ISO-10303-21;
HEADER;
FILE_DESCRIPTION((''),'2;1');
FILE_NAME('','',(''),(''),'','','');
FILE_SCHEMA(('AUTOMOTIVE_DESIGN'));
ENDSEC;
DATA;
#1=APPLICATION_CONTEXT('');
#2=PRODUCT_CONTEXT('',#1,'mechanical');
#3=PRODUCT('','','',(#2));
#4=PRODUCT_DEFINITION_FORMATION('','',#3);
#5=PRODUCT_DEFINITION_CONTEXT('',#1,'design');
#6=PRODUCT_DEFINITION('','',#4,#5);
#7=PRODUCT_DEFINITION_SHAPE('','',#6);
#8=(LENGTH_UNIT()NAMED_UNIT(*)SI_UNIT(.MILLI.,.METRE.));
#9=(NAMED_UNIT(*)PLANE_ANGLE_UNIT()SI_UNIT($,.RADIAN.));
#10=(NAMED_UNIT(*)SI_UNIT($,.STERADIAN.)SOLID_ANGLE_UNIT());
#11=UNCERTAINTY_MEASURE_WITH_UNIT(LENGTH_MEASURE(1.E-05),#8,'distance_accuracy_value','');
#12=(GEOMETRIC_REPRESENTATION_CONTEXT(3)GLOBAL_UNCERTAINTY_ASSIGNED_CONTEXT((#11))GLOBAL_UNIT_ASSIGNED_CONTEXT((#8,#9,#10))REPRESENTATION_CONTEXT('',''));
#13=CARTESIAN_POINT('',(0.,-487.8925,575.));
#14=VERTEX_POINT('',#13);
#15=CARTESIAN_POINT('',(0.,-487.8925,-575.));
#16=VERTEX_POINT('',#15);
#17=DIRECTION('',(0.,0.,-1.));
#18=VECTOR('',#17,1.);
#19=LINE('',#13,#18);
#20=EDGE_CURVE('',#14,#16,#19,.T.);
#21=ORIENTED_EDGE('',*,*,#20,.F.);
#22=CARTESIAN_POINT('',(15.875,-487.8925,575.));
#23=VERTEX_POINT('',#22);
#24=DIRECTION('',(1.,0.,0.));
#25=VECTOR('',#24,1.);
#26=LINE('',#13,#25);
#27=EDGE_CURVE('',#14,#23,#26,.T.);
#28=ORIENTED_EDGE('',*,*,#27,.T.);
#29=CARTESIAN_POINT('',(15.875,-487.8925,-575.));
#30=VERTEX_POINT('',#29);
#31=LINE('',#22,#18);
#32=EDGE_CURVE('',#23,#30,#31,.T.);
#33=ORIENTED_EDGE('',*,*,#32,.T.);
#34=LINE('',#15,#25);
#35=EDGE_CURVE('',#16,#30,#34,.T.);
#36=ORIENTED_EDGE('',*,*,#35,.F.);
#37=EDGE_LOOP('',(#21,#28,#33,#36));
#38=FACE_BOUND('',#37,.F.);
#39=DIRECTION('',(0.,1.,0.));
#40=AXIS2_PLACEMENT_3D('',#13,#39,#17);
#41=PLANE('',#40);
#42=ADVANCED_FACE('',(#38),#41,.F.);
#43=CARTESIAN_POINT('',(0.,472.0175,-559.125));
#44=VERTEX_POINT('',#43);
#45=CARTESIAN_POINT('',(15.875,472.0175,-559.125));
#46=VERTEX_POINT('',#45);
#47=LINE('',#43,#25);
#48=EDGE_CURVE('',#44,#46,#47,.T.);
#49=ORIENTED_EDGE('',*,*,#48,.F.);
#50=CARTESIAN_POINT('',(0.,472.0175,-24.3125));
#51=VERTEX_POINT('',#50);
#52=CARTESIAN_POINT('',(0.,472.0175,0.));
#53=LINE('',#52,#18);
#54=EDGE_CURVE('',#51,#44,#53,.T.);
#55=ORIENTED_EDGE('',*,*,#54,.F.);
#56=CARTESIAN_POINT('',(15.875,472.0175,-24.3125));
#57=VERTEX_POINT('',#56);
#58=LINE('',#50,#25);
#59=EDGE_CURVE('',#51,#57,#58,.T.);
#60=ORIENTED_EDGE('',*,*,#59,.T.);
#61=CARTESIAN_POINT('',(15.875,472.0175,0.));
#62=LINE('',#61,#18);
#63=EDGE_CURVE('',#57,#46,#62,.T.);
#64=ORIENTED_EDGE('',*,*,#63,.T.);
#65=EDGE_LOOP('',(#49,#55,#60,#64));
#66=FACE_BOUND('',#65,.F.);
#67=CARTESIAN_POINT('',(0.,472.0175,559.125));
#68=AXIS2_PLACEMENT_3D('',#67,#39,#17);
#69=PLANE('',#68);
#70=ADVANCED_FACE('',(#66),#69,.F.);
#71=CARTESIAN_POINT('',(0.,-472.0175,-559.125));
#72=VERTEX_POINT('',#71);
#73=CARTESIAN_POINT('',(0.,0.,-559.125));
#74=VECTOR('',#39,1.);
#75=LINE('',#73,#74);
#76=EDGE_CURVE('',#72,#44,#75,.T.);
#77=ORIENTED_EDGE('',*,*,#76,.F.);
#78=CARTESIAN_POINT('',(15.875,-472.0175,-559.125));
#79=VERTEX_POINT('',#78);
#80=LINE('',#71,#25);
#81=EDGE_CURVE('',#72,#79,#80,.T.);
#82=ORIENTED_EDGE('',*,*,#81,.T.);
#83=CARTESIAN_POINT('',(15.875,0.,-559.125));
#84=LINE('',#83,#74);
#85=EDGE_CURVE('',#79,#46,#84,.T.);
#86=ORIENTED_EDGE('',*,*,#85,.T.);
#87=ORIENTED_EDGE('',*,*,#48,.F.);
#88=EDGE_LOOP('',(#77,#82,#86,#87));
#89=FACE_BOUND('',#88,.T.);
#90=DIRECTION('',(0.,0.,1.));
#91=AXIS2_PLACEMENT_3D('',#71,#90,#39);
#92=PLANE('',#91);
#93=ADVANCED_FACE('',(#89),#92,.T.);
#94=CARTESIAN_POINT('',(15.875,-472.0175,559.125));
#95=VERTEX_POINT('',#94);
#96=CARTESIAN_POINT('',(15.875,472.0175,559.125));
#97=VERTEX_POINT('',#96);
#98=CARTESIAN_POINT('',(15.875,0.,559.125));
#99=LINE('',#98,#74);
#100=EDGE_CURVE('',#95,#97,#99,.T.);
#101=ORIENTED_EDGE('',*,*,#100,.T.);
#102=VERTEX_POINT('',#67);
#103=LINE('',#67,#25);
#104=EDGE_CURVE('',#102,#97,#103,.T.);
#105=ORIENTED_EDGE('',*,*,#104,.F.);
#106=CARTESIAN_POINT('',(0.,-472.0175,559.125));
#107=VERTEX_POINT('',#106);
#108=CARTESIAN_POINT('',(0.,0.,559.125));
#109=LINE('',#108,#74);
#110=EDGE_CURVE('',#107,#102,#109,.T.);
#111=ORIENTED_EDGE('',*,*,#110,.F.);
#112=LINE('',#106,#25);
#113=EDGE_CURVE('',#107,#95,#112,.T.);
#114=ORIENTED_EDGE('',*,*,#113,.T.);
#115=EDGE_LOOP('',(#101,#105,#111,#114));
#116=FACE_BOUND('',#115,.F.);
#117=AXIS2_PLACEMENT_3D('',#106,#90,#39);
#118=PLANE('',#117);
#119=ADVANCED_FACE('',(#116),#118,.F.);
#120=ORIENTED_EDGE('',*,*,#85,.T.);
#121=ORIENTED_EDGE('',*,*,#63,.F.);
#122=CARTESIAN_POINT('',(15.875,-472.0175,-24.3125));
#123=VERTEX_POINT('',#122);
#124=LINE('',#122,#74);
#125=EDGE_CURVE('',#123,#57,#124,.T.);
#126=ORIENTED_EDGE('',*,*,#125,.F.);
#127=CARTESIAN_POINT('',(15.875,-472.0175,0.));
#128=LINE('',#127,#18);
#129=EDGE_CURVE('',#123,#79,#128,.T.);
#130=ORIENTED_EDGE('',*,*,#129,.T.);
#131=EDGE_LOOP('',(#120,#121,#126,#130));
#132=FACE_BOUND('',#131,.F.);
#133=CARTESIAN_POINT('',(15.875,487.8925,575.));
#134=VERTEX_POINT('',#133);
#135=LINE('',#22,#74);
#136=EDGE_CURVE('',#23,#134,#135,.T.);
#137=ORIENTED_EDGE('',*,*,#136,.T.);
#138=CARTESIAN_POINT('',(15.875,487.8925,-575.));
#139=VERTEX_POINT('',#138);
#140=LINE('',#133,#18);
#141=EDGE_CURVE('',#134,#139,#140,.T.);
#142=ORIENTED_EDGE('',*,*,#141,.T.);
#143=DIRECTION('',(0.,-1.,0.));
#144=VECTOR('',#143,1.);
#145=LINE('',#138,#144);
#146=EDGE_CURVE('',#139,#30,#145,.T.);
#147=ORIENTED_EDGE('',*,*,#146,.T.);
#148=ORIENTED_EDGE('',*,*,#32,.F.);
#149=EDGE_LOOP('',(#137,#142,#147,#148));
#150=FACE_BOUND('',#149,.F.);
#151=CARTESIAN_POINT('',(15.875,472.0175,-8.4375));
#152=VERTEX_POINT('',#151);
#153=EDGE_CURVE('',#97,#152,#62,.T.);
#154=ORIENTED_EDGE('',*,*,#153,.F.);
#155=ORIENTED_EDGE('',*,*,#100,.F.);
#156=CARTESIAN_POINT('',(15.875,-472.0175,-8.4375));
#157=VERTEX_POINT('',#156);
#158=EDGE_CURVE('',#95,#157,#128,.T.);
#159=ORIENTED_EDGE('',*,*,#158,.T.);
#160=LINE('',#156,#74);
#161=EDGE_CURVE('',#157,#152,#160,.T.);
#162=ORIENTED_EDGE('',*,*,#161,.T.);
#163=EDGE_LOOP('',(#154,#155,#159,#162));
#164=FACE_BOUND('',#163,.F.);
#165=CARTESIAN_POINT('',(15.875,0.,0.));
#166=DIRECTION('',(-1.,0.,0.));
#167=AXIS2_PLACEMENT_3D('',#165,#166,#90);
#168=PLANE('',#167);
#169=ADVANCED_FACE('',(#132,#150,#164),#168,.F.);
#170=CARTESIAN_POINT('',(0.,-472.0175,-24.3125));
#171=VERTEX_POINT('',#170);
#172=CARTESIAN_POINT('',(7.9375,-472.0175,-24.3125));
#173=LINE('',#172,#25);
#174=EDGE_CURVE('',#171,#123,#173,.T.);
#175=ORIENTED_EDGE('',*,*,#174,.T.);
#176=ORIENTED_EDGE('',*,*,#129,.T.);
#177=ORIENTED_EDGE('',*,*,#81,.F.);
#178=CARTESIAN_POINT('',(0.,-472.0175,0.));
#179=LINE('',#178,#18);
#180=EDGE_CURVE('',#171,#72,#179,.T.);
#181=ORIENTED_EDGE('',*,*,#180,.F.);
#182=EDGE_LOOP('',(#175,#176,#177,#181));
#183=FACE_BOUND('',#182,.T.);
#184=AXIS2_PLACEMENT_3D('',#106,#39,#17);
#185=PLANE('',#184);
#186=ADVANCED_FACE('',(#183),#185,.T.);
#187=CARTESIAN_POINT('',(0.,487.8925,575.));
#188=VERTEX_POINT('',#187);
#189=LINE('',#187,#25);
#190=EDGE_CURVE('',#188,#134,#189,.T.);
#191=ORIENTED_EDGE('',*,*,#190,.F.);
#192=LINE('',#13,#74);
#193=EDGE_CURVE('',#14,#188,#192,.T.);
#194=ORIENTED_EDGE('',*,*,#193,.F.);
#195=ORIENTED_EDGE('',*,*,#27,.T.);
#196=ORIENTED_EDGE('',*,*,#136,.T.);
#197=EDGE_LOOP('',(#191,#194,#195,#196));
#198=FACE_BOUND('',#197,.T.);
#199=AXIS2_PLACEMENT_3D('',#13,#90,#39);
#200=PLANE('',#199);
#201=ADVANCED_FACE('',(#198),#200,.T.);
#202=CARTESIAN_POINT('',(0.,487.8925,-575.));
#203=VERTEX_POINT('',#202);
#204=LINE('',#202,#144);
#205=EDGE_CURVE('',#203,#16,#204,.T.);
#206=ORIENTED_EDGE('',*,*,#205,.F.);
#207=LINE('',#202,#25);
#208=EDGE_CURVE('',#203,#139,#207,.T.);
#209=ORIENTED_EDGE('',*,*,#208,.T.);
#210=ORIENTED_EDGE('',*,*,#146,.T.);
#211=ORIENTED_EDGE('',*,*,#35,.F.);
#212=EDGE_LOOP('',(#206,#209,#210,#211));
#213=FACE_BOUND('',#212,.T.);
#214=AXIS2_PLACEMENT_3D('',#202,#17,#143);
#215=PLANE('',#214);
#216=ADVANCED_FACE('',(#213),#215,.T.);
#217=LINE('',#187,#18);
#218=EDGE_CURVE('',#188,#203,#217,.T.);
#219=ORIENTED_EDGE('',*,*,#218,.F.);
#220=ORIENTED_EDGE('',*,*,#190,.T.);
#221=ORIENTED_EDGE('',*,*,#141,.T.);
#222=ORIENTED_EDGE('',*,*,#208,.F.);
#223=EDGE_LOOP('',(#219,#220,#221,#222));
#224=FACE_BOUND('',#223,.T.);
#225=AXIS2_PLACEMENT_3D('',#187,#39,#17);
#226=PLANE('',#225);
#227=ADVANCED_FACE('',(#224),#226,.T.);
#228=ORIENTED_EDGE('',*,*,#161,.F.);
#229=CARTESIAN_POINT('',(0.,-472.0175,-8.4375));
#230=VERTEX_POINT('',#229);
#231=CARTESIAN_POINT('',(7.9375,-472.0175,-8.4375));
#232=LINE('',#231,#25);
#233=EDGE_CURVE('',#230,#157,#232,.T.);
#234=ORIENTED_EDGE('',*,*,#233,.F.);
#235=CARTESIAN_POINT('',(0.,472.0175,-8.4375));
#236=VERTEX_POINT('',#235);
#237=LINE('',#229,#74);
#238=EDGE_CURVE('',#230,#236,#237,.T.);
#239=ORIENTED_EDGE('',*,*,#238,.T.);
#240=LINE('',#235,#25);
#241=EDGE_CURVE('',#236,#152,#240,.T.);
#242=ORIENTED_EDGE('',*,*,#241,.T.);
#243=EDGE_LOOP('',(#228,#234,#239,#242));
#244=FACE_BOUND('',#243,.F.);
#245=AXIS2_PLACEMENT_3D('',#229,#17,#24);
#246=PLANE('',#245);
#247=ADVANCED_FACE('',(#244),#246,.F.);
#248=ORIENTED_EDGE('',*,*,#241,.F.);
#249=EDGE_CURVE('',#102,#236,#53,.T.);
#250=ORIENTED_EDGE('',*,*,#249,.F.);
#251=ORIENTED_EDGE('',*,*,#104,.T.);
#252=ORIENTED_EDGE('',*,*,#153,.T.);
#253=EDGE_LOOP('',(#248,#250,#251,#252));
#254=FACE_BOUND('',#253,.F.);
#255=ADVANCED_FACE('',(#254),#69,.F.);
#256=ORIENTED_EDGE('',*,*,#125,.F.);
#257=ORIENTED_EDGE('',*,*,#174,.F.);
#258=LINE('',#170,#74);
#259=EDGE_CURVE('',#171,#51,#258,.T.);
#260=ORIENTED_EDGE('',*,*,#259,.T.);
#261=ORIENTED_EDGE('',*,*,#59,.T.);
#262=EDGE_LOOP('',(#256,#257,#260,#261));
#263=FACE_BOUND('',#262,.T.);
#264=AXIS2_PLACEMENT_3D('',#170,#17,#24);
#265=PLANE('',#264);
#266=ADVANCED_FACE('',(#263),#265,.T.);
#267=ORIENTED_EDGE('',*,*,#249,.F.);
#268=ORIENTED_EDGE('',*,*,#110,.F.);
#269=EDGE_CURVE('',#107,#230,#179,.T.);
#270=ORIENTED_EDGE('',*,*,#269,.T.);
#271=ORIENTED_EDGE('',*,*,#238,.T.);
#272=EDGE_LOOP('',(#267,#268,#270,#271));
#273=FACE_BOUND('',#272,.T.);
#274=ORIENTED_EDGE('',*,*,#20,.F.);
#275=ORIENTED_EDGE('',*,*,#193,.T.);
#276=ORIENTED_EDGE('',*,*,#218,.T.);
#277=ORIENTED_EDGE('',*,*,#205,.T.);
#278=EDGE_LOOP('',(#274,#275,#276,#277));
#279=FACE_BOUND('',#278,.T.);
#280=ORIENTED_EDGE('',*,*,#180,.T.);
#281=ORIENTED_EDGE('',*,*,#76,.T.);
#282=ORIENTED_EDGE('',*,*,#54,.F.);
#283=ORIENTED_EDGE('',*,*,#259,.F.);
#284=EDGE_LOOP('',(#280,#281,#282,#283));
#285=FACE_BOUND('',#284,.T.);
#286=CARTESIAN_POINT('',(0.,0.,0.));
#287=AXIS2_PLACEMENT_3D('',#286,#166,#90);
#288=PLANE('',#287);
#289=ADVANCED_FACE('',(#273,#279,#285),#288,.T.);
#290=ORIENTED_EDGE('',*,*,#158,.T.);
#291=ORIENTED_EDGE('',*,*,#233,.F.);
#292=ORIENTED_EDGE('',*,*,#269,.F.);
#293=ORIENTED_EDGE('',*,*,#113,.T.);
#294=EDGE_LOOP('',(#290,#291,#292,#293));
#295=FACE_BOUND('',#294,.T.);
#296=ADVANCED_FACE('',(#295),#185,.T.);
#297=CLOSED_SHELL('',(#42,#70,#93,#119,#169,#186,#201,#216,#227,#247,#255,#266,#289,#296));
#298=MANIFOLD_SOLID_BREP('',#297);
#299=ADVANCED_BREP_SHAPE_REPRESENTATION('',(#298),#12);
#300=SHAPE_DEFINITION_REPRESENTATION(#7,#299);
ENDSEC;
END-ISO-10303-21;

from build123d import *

# Parameters (mm, degrees)
SKETCH1_W           = 1118.25
SKETCH1_H           = 944.035
BOSS_EXTRUDE1_DEPTH = 15.875
BOSS_EXTRUDE3_REACH = 961.91
SKETCH3_W           = 15.875
SKETCH3_H           = 15.875


with BuildPart() as part:
    # Sketch1 → Boss-Extrude1 (new body)
    with BuildSketch(Plane(origin=(0, 0, 0), x_dir=(0, 0, -1), z_dir=(1, 0, 0))):
        Polygon((-575, -487.8925), (-575, 487.8925), (575, 487.8925), (575, -487.8925), (559.125, -487.8925), (-559.125, -487.8925), align=None)
        Rectangle(SKETCH1_W, SKETCH1_H, mode=Mode.SUBTRACT)
    extrude(amount=BOSS_EXTRUDE1_DEPTH)

    # Sketch3 → Boss-Extrude3 (add, up to next)
    with BuildSketch(Plane(origin=(0, -472.0175, 0), x_dir=(1, 0, 0), z_dir=(0, 1, 0)), mode=Mode.PRIVATE) as boss_extrude3_sk1:
        with Locations((7.9375, 16.375)):
            Rectangle(SKETCH3_W, SKETCH3_H)
    boss_extrude3_tool1 = extrude(boss_extrude3_sk1.sketch, amount=BOSS_EXTRUDE3_REACH, mode=Mode.PRIVATE) - part.part
    add(boss_extrude3_tool1.solids().sort_by_distance((7.9375, -472.0175, -16.375))[0])


solid = part.part
